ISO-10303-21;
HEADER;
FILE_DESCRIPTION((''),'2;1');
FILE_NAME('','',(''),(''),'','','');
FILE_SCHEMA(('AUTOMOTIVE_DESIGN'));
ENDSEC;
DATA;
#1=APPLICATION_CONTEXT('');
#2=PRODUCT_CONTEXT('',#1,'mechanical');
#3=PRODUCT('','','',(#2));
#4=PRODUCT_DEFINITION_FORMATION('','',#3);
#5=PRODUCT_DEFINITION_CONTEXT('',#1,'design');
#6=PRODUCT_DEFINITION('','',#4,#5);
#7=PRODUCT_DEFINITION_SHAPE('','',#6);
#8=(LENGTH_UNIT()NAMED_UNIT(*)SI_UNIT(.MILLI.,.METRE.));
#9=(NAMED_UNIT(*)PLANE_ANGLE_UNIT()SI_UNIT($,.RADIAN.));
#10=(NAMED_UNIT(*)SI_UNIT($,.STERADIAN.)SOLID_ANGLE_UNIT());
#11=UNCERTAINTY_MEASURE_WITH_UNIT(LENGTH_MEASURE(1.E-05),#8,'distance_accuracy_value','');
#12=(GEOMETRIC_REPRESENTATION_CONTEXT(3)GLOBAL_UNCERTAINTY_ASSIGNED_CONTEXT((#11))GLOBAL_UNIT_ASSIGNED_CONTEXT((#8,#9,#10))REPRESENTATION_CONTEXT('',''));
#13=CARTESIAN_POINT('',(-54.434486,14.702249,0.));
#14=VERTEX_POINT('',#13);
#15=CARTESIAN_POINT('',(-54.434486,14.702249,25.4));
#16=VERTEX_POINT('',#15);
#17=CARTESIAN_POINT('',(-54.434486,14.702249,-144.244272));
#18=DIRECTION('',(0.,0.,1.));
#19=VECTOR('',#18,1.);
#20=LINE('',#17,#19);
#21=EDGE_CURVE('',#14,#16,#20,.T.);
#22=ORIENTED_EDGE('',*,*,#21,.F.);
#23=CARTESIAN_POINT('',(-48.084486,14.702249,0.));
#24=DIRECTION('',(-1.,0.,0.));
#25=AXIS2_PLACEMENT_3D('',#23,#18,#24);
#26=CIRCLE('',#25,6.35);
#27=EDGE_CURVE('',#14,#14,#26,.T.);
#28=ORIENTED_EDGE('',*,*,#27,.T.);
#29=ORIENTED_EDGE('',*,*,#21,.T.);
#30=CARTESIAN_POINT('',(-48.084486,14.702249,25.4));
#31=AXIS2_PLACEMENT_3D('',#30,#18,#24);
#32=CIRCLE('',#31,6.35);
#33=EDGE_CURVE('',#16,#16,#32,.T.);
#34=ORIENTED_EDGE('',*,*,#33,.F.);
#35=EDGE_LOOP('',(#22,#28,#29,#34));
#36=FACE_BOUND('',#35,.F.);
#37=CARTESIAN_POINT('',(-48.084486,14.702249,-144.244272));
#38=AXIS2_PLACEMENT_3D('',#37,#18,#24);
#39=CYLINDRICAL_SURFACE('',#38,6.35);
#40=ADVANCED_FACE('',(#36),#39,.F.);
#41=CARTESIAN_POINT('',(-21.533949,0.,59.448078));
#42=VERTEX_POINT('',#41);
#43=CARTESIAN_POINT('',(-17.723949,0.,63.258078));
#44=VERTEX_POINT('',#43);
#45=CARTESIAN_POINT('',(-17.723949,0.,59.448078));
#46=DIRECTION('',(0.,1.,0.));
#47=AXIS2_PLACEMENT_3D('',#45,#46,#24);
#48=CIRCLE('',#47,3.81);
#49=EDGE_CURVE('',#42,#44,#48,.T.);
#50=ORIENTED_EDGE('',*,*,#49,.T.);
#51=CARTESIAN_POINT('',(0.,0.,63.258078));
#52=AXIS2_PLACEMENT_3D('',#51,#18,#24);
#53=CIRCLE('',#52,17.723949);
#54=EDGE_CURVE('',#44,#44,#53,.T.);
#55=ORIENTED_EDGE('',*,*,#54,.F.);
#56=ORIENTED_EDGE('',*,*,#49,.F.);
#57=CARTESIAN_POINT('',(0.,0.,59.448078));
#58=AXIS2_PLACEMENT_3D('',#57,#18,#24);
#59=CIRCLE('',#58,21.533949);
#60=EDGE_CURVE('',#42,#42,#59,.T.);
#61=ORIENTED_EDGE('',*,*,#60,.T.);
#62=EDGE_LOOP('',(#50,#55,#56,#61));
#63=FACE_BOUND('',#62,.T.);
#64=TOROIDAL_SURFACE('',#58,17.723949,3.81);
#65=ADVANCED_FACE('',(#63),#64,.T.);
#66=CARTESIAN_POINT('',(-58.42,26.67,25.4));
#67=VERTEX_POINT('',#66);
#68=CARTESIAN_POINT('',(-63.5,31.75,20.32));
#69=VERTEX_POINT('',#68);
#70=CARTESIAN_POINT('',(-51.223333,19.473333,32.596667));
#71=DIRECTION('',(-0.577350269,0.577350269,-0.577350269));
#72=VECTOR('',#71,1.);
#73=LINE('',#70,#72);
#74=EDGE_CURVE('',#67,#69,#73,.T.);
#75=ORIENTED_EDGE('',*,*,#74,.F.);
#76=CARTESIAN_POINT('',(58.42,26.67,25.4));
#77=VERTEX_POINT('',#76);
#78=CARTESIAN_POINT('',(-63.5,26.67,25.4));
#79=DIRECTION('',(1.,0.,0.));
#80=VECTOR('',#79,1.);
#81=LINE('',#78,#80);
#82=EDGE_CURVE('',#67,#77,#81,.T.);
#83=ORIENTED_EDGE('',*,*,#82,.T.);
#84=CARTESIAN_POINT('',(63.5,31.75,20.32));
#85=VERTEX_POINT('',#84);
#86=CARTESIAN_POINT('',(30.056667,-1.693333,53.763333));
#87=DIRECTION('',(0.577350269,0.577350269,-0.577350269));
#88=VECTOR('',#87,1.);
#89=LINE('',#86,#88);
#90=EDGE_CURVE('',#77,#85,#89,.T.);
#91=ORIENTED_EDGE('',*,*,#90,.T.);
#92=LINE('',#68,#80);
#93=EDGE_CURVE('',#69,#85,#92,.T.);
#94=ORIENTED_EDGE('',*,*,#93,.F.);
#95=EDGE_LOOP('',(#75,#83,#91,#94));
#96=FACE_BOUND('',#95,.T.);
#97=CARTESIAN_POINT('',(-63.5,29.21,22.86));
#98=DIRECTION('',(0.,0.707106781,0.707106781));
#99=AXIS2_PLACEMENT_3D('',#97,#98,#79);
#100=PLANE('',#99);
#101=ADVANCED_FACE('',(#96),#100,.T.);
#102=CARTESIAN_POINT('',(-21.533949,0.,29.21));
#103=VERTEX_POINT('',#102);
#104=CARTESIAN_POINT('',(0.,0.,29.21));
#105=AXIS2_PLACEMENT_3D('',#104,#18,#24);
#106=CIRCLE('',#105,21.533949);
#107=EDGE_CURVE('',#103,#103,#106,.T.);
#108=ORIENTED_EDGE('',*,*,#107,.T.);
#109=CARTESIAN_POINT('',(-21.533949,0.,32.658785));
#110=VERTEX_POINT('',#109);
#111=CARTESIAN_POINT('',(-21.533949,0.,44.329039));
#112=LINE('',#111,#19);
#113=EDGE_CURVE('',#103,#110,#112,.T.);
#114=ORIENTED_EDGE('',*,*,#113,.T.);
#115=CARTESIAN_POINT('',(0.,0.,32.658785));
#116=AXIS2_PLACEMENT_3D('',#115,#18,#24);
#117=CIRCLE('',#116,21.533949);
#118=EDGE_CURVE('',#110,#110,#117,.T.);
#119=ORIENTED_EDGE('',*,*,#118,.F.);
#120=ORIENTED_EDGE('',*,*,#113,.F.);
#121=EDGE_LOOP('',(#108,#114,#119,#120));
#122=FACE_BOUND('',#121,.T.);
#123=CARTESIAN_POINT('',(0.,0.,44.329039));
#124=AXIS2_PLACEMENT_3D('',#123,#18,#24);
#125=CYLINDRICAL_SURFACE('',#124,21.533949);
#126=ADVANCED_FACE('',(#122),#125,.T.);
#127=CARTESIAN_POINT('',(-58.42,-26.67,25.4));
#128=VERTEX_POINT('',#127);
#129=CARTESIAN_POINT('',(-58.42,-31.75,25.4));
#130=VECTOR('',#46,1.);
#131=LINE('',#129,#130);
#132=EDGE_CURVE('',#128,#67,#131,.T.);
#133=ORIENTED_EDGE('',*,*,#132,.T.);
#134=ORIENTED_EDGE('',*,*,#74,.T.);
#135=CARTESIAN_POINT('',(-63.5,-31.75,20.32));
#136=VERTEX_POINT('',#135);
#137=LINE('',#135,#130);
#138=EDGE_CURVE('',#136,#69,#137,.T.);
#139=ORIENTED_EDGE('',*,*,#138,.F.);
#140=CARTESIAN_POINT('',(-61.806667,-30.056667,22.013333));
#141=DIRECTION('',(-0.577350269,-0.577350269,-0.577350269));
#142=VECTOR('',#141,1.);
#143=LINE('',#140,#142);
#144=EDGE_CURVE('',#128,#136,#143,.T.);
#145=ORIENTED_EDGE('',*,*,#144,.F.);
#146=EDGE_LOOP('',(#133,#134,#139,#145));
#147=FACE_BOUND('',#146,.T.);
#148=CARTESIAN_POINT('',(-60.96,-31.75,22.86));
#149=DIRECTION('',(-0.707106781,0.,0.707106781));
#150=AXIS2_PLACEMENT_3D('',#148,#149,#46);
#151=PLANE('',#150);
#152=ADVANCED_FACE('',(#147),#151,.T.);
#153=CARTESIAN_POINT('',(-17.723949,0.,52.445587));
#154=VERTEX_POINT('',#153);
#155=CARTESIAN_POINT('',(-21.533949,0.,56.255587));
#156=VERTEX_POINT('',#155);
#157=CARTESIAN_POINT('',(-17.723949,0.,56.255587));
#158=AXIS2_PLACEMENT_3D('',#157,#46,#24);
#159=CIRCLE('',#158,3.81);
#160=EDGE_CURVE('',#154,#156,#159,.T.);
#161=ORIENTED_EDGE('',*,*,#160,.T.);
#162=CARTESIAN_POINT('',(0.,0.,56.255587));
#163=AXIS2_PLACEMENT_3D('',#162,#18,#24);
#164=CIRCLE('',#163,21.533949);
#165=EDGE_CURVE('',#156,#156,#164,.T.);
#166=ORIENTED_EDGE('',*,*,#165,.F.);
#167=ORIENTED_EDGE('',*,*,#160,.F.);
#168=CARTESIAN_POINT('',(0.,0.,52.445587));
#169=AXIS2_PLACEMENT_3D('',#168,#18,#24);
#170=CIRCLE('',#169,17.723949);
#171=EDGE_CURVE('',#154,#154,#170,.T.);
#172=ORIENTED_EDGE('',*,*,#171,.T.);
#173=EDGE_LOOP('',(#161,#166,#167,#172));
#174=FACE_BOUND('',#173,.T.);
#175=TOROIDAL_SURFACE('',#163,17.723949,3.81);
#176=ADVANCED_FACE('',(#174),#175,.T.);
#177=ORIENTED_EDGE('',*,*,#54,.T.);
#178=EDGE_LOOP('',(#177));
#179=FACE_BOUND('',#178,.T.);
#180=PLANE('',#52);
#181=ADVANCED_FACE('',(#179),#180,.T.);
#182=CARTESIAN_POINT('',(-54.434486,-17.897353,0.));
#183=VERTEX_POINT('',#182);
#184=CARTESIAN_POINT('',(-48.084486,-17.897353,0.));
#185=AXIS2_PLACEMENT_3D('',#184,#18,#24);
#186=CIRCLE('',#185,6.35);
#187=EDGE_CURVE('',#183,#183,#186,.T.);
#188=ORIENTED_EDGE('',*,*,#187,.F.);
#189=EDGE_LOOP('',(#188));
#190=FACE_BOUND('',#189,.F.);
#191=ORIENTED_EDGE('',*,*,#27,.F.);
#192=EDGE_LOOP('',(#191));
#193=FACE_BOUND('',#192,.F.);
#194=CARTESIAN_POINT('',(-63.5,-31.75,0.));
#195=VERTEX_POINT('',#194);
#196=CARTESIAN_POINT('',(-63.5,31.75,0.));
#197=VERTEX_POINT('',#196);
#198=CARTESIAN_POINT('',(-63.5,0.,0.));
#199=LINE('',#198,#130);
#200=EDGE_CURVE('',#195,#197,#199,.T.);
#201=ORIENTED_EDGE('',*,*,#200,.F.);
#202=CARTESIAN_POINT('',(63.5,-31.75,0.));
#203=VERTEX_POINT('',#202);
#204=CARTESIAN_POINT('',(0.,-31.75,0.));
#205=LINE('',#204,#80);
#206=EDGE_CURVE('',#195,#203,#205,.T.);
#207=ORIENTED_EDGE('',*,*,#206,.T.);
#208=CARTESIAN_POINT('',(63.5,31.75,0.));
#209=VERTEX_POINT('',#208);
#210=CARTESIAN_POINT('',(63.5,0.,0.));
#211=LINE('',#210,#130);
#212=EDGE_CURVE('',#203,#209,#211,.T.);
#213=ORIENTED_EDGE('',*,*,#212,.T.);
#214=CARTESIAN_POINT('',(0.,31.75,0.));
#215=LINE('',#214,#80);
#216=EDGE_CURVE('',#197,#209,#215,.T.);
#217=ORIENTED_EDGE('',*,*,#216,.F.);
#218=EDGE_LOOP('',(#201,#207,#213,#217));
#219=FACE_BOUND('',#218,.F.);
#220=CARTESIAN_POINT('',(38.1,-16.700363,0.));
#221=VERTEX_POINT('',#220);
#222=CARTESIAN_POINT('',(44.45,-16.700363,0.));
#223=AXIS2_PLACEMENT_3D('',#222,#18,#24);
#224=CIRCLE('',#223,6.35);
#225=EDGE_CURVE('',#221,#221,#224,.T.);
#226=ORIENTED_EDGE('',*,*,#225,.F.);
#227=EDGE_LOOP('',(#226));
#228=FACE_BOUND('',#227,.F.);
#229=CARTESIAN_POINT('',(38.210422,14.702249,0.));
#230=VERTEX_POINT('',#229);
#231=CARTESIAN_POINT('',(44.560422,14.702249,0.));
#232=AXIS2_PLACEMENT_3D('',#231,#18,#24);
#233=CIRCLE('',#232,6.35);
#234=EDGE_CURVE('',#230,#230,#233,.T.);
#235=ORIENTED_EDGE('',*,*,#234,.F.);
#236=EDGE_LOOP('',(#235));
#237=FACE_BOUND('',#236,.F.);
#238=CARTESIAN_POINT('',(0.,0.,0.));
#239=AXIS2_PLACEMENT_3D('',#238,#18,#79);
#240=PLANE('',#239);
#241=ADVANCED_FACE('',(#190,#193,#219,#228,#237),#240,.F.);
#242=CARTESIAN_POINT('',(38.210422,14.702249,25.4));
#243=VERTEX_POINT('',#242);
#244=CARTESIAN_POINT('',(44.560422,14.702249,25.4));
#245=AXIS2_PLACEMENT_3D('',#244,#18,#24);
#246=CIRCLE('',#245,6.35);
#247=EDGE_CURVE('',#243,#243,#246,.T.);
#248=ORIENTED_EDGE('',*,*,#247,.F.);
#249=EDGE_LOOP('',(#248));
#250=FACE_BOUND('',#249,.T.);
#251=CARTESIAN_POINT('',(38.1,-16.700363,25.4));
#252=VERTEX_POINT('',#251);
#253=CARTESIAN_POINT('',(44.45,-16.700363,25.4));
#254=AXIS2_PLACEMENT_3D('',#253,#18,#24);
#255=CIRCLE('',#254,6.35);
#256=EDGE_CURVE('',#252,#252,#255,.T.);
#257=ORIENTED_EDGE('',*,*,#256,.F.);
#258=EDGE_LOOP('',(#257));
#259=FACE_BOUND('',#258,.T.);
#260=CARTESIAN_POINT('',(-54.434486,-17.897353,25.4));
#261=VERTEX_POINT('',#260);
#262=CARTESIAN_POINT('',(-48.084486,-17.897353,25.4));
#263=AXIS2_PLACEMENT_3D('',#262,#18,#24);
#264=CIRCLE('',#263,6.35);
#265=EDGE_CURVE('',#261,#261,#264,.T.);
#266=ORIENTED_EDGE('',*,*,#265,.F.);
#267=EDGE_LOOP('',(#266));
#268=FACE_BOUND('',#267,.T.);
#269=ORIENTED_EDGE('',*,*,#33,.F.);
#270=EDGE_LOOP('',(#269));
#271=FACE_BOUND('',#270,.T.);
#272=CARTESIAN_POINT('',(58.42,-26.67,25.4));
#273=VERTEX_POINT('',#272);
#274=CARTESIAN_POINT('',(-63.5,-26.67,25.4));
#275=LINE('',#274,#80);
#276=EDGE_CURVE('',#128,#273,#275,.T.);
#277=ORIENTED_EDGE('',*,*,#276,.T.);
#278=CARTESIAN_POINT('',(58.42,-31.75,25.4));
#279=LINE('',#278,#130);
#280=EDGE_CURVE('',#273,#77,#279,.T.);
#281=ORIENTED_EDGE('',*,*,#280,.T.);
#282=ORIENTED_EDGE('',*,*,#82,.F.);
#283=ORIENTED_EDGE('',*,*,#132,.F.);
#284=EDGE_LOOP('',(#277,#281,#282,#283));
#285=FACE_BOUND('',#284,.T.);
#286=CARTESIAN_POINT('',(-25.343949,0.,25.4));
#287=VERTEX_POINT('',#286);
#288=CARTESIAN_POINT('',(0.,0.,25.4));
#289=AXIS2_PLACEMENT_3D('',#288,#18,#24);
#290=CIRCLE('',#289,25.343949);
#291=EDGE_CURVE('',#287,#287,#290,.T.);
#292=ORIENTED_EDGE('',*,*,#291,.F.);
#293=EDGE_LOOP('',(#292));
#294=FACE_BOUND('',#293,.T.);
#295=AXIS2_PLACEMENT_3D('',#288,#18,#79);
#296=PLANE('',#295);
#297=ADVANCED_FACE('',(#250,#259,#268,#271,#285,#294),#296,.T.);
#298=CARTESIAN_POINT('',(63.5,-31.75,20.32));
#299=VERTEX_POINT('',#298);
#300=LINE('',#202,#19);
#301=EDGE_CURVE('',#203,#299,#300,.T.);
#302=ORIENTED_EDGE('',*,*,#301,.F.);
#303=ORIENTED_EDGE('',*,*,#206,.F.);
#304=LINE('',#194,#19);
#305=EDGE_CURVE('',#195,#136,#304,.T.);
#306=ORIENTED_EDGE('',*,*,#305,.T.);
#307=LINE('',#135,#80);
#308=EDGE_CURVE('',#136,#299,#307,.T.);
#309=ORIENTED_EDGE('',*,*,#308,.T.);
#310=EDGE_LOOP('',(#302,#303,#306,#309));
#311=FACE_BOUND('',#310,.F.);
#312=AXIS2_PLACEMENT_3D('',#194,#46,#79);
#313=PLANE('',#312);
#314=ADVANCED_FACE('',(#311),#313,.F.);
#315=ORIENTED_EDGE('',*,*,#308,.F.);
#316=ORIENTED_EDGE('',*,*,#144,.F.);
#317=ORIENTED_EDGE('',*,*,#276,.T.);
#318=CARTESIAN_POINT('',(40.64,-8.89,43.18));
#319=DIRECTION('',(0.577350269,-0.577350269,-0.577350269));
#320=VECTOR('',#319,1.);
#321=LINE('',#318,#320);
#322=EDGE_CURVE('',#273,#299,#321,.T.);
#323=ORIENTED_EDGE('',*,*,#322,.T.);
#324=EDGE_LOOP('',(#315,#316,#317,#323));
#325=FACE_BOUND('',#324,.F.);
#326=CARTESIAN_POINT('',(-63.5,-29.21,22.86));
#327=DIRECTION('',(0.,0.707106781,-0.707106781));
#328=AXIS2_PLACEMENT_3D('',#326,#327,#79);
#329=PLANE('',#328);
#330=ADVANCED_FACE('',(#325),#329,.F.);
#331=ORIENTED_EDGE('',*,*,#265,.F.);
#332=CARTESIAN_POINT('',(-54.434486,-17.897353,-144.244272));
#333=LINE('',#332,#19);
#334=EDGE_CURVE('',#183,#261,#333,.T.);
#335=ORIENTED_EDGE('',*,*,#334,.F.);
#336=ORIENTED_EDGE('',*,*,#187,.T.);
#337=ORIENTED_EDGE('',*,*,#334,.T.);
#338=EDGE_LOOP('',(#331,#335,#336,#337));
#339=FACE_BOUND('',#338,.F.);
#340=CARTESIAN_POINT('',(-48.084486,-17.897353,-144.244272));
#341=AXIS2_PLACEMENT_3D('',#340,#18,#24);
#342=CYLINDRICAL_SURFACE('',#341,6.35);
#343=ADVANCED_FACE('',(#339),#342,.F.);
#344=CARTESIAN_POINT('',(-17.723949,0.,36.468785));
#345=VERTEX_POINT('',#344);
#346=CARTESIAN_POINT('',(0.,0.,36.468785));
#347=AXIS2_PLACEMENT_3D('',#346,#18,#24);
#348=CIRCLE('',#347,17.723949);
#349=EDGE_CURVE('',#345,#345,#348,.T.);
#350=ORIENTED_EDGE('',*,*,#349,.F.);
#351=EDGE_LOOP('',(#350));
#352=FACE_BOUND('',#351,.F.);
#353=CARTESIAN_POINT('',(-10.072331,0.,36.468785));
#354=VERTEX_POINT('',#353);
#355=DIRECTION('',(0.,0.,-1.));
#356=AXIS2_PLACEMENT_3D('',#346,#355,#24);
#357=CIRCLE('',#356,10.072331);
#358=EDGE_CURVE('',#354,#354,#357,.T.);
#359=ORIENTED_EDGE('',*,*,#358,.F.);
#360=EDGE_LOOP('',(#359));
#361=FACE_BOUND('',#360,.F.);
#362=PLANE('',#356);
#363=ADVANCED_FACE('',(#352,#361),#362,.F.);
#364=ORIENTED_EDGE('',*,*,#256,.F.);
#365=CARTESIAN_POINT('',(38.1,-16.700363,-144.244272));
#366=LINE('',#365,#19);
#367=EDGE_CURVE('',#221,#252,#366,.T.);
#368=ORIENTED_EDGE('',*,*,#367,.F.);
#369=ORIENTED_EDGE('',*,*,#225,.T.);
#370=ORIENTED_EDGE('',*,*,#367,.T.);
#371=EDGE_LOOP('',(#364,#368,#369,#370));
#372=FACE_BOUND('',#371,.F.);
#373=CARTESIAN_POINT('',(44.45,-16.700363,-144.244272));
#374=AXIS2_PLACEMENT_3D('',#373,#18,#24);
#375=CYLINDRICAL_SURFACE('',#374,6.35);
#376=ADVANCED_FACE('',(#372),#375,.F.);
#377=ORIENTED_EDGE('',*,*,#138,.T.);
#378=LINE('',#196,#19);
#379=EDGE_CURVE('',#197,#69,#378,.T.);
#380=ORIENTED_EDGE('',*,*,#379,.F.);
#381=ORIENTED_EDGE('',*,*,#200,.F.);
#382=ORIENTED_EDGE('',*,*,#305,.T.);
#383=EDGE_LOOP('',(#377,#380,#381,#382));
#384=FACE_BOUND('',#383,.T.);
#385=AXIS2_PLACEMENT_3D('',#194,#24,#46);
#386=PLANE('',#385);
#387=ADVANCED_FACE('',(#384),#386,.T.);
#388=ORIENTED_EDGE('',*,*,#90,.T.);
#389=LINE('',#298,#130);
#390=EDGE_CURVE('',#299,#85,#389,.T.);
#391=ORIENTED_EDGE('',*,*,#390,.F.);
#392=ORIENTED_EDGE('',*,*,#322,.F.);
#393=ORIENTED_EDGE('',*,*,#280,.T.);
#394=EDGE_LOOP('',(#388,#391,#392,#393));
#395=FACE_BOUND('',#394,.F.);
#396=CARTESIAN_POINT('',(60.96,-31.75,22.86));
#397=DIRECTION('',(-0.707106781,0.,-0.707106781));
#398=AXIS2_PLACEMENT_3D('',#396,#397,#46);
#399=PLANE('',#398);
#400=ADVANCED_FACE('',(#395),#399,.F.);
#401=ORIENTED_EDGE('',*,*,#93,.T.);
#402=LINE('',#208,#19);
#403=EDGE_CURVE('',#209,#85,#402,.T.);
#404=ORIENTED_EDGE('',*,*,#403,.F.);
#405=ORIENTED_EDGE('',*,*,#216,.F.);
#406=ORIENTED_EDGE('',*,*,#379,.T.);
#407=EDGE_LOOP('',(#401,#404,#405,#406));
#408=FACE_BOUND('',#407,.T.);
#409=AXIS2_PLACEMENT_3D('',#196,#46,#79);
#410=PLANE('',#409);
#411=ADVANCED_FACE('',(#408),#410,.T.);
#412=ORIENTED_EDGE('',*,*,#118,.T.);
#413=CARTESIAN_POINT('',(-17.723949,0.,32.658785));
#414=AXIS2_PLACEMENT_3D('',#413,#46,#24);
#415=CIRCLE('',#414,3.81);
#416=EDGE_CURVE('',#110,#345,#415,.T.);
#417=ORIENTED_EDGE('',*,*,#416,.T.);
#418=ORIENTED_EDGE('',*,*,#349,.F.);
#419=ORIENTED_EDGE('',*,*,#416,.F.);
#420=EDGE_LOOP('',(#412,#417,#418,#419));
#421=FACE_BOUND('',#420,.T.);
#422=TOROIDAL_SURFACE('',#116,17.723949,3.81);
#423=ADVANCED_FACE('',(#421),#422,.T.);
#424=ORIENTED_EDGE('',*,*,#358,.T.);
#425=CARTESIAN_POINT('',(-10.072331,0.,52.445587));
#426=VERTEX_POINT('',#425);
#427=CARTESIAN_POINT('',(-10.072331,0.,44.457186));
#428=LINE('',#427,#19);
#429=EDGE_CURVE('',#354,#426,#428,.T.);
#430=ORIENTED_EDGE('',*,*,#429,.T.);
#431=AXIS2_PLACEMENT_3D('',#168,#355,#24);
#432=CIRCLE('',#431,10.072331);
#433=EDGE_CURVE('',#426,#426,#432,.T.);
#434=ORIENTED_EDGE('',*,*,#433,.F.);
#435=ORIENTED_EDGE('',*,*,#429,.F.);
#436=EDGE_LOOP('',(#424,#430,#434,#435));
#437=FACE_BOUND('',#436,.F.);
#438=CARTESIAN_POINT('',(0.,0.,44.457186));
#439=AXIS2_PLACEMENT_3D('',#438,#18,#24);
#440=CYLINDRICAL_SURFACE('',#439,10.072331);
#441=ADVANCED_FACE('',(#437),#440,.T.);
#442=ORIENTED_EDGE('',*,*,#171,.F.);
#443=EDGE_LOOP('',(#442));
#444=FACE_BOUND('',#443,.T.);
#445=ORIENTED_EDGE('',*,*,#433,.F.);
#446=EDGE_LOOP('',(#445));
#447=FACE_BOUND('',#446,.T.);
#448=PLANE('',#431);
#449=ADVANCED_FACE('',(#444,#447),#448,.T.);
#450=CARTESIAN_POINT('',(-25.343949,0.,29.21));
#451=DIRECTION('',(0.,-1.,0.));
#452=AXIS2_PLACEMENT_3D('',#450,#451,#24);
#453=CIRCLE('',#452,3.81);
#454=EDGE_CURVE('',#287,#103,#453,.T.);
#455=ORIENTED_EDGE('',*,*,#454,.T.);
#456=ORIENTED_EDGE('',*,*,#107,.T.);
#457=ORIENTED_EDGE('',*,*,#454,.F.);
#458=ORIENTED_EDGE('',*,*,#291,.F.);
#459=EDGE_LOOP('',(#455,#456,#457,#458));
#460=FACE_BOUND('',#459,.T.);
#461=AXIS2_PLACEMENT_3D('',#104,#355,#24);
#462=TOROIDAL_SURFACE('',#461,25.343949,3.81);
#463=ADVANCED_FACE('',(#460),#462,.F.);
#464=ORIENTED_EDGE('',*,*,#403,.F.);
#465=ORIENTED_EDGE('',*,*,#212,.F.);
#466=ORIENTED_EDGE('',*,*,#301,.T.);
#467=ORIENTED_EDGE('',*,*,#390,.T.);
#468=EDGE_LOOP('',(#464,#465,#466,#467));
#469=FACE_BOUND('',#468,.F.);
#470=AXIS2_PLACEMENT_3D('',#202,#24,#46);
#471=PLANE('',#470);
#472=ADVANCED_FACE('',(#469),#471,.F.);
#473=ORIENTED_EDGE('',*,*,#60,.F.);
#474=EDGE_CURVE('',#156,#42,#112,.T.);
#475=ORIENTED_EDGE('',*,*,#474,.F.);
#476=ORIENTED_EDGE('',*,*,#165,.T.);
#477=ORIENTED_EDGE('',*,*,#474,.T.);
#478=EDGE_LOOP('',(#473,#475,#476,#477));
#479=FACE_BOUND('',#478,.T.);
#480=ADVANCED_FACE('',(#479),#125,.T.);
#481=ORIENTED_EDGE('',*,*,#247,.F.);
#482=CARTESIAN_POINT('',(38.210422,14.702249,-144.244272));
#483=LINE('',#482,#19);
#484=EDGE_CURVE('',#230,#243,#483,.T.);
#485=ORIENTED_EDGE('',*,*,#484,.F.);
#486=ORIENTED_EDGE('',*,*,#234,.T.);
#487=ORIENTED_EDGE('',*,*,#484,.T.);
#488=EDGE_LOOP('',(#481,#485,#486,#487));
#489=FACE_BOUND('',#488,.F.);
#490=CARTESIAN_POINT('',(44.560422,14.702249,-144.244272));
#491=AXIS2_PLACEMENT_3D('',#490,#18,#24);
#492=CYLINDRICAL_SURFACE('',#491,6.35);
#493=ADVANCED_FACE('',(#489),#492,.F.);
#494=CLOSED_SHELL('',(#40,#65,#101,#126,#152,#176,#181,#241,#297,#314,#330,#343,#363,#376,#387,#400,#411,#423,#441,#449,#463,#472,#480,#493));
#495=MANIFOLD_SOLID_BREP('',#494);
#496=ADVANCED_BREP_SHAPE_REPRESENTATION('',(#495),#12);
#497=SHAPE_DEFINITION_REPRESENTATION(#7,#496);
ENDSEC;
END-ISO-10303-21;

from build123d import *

# Parameters (mm, degrees)
F0_W     = 127
F0_H     = 63.5
F1_DEPTH = 25.4
F3_D     = 12.7
F4_W     = 21.5339493006
F4_H     = 37.8580782562
F6_W     = 15.2821568772
F6_H     = 15.9768015146
F8_R     = 3.81
F9_SIZE  = 5.08


with BuildPart() as f1:
    # F0 (on Top) → F1 (new body)
    with BuildSketch(Plane.XY):
        Rectangle(F0_W, F0_H)
    extrude(amount=F1_DEPTH)

    # F3 (through all)
    with Locations(Plane(origin=(0, 0, 0), x_dir=(1, 0, 0), z_dir=(0, 0, -1))):
        with Locations((-48.0844858662, -14.7022493572), (-48.0844858662, 17.8973527858), (44.45, 16.7003627867), (44.5604218255, -14.7022493572)):
            Hole(F3_D / 2)

    # F4 (on Front) → F5 (revolve)
    with BuildSketch(Plane.XZ):
        with Locations((-10.7669746503, 44.3290391281)):
            Rectangle(F4_W, F4_H)
    revolve(axis=Axis((0, 0, 44.3290391281), (0, 0, 1)))

    # F6 (on Front) → F7 (revolve, cut)
    with BuildSketch(Plane.XZ):
        with Locations((-17.7134093828, 44.4571860135)):
            Rectangle(F6_W, F6_H)
    revolve(axis=Axis((0, 0, 63.2580782562), (0, 0, -1)), mode=Mode.SUBTRACT)

    # F8
    f8_edges = [f1.edges().sort_by_distance(p)[0] for p in [
        (21.533949, 0, 63.258078),
        (21.533949, 0, 36.468785),
        (21.533949, 0, 25.4),
        (21.533949, 0, 52.445587),
    ]]
    fillet(f8_edges, radius=F8_R)

    # F9
    f9_edges = [f1.edges().sort_by_distance(p)[0] for p in [
        (0, 31.75, 25.4),
        (-63.5, 0, 25.4),
        (0, -31.75, 25.4),
        (63.5, 0, 25.4),
    ]]
    chamfer(f9_edges, length=F9_SIZE)


solid = f1.part
